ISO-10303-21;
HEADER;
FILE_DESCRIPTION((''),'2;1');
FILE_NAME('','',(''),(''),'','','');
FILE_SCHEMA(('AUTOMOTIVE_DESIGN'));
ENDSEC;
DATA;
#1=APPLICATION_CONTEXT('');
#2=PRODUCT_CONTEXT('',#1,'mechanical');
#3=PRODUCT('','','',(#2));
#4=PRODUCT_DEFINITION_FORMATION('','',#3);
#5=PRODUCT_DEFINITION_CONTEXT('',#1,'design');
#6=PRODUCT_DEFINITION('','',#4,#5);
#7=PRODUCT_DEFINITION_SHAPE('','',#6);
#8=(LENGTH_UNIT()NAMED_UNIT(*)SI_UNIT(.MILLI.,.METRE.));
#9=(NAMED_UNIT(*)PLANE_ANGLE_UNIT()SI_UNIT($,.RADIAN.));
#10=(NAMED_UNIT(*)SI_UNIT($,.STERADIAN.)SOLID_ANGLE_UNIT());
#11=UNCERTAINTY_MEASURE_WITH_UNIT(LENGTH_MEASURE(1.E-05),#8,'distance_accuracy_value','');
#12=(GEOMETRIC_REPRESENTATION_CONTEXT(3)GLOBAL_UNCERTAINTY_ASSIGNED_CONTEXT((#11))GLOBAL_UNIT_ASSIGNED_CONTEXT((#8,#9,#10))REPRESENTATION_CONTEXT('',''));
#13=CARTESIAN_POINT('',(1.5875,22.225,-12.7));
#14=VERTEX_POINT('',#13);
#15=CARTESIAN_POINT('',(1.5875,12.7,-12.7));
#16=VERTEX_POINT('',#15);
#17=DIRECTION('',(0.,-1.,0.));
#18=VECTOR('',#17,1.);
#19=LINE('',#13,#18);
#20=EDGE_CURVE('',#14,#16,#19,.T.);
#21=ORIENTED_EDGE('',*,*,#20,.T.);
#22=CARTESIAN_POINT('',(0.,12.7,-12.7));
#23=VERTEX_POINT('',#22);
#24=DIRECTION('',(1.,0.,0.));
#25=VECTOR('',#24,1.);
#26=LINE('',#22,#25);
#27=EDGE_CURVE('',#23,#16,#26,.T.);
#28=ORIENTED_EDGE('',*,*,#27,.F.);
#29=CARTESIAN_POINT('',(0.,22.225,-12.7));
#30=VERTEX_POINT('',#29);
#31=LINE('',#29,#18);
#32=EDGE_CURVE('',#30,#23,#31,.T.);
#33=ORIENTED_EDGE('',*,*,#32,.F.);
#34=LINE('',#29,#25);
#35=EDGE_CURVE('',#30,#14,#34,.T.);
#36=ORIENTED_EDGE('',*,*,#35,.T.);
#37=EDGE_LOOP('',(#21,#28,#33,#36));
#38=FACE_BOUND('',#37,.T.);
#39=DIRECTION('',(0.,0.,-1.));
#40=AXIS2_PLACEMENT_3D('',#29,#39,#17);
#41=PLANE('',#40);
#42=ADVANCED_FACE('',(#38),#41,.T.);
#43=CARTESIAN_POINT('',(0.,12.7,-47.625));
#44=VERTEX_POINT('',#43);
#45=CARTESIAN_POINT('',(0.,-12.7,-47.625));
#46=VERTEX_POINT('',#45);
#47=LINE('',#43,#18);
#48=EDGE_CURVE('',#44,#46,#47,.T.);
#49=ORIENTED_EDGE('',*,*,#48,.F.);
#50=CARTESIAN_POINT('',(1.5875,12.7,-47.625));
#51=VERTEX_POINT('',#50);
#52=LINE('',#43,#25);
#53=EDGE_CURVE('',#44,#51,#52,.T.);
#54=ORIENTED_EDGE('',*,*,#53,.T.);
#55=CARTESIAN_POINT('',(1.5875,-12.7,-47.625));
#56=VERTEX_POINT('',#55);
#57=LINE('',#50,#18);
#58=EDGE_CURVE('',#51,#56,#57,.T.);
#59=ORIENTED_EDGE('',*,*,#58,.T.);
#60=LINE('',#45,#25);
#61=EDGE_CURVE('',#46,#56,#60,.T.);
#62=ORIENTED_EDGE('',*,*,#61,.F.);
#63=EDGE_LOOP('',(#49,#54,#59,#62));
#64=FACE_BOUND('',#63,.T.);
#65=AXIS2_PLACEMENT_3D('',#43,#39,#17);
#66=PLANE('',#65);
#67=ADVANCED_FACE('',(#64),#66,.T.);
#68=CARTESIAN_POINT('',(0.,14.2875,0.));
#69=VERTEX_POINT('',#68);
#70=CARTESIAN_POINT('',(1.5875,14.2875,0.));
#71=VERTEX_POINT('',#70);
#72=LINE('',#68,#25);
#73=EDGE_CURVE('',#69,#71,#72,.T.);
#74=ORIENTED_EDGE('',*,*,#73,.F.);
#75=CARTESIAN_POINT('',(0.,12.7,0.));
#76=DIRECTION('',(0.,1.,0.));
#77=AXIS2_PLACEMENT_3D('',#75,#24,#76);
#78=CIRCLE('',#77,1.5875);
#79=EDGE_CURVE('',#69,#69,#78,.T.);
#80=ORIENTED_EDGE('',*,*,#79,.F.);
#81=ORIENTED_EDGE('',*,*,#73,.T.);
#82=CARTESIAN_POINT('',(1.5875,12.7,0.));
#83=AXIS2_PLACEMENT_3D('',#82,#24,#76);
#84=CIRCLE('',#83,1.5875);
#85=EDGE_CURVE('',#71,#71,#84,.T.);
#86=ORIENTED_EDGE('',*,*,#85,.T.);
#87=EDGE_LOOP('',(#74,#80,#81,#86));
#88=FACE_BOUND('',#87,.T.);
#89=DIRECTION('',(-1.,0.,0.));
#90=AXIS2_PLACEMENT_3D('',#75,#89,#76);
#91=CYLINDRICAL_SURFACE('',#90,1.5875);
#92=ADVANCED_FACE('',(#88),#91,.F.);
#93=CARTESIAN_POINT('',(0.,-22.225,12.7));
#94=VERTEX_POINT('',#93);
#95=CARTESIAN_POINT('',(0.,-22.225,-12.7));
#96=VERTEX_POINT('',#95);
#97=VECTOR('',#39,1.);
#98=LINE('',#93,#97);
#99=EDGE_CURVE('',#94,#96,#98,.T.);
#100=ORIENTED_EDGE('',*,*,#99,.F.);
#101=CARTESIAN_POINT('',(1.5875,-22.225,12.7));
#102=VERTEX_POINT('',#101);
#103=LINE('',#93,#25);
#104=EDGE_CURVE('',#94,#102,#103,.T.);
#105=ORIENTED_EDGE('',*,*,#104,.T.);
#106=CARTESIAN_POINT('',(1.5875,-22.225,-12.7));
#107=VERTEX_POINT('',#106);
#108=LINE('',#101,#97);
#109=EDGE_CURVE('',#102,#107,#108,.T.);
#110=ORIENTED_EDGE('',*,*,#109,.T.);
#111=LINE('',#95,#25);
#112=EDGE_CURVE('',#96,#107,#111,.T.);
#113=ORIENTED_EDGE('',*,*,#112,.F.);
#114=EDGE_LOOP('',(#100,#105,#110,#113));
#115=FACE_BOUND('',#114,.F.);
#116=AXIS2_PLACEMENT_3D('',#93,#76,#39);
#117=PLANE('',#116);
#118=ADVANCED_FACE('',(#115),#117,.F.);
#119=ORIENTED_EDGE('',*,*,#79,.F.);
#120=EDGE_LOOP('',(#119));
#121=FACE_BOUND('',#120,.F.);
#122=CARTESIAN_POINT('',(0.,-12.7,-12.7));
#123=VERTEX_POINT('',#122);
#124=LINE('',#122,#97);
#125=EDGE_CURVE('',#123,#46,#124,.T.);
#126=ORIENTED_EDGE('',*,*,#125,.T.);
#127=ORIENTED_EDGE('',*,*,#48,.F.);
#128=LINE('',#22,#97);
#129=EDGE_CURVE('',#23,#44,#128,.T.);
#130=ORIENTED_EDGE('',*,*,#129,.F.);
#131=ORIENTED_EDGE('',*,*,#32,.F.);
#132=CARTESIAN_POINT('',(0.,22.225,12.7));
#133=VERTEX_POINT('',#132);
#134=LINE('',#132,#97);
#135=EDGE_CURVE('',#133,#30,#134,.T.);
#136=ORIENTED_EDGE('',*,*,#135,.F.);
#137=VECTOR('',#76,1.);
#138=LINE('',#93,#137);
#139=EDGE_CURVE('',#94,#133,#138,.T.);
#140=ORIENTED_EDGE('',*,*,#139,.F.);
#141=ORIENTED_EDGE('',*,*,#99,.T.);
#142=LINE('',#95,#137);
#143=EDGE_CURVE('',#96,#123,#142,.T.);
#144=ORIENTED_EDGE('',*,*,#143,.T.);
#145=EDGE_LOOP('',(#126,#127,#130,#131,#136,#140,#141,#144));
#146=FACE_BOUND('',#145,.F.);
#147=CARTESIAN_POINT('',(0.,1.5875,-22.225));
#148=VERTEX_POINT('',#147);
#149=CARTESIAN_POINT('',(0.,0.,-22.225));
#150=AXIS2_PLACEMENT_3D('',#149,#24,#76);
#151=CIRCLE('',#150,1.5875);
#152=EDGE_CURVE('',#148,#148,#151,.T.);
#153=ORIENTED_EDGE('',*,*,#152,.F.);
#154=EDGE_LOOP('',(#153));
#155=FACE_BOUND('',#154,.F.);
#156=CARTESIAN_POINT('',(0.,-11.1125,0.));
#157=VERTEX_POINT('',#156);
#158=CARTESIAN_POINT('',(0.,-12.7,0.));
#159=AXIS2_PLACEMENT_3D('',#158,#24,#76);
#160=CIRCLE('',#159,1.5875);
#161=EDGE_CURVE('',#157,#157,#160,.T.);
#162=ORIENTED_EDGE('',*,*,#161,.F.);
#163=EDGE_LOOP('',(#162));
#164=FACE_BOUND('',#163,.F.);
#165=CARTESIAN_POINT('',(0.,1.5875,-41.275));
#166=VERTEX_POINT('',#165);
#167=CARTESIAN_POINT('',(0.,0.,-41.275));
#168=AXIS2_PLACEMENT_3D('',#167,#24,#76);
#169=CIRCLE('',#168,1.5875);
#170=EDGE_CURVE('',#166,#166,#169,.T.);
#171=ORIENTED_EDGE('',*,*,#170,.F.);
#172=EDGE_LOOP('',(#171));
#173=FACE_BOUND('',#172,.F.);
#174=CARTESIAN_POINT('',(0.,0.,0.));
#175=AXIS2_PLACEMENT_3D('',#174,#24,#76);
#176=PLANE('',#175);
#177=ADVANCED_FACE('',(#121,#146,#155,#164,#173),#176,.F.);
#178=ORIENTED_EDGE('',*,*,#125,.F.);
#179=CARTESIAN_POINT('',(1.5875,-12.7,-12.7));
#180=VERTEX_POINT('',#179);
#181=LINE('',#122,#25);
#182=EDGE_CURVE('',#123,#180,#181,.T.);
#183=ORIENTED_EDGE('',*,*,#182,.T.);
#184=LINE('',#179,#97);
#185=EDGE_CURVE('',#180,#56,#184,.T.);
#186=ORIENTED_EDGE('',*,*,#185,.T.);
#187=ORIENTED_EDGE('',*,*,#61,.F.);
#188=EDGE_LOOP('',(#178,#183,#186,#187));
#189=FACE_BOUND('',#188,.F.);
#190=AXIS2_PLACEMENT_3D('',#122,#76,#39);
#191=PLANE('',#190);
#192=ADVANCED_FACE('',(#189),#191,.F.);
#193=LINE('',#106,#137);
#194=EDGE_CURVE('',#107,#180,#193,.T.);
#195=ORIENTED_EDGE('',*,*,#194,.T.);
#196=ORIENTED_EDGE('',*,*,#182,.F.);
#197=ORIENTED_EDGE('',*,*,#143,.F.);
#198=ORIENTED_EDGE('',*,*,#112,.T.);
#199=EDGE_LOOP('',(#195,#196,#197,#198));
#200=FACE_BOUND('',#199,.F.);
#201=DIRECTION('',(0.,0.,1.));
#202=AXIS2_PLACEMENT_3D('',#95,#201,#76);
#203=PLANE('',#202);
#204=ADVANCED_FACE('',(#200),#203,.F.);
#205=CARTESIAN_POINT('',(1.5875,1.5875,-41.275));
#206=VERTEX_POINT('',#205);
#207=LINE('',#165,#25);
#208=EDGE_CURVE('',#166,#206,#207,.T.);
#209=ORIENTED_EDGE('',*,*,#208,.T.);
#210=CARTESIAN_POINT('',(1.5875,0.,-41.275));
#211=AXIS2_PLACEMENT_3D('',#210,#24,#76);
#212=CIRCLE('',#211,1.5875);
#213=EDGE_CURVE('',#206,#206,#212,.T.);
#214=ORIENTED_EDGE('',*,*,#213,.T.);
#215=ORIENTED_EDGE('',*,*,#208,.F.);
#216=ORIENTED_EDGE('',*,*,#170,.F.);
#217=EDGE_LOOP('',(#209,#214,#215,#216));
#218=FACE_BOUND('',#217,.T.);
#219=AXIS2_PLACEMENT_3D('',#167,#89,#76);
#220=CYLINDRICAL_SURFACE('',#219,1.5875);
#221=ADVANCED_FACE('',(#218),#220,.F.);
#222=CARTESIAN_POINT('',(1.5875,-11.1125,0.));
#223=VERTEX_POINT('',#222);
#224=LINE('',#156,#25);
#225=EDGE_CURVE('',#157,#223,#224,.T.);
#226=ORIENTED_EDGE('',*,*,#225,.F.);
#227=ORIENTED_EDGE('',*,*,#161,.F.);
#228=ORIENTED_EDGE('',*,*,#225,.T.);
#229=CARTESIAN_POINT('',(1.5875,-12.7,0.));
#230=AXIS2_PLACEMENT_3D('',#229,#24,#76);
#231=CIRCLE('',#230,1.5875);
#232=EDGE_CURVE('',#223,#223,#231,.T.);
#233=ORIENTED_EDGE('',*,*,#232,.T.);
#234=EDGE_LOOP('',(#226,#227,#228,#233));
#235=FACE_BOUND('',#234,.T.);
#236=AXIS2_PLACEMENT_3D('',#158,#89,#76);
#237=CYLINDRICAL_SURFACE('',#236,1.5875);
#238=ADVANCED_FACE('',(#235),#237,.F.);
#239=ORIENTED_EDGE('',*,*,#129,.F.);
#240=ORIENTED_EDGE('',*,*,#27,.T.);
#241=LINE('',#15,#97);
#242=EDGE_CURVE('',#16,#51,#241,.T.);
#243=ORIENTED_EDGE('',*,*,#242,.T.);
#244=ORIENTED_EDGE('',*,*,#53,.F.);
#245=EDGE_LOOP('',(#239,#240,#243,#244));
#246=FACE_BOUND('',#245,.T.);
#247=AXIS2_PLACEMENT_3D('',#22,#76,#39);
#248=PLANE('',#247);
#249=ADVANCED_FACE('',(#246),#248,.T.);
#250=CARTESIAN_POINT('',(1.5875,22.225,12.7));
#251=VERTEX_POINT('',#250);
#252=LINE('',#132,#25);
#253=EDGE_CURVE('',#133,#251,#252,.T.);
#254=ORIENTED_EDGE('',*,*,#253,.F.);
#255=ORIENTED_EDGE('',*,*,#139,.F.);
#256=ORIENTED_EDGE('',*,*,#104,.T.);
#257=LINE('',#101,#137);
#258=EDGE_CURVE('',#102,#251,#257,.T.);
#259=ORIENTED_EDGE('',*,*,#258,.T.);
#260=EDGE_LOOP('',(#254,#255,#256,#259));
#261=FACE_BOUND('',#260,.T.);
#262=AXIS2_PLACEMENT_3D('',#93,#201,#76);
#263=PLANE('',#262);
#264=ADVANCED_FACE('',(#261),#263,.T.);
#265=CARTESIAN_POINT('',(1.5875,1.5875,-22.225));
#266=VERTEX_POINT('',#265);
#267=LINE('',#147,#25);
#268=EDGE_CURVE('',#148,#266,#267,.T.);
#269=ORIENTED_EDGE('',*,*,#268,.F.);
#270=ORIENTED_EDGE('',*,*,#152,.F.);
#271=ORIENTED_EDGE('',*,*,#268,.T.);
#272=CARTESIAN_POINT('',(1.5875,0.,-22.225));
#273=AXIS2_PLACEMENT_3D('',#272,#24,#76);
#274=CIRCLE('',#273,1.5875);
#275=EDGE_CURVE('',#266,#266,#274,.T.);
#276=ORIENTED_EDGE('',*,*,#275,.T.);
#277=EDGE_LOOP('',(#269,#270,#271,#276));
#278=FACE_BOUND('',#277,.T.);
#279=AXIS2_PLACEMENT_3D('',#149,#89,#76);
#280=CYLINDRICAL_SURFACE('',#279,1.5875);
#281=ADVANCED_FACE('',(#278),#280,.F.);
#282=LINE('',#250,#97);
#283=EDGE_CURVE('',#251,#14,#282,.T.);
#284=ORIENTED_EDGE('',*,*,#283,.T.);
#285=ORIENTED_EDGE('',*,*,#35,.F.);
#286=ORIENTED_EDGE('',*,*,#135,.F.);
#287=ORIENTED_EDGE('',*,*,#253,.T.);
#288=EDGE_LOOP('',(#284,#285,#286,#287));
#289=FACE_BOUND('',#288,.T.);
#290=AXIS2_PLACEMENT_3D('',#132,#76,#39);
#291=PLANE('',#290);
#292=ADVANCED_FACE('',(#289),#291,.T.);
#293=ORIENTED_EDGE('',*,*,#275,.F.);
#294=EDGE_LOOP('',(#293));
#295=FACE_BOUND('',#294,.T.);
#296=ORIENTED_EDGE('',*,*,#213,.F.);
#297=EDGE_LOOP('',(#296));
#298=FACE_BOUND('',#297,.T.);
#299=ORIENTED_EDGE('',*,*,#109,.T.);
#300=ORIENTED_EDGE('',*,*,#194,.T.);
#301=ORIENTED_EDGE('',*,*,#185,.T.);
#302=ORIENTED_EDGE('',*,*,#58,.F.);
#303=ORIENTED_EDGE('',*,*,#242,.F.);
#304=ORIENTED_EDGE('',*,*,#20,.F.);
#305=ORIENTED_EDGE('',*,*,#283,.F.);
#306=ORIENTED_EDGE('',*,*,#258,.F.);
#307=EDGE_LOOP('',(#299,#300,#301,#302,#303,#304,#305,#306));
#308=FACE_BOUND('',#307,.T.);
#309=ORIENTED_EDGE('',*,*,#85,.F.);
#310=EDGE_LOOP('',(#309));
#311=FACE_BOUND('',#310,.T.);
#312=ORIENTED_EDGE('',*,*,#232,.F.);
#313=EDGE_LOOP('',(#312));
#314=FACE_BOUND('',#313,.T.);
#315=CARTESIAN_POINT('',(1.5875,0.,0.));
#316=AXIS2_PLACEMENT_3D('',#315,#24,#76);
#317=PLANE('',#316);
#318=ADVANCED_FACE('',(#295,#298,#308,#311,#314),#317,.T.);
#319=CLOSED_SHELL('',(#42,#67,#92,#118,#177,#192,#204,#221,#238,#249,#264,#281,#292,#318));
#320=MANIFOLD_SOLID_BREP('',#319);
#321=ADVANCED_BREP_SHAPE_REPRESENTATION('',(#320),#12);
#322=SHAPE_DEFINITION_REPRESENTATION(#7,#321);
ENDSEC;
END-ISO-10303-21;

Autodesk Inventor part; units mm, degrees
ref_plane "YZ Plane" through (0, 0, 0) normal (1, 0, 0) x (0, 1, 0)
ref_plane "XZ Plane" through (0, 0, 0) normal (0, 1, 0) x (-1, 0, 0)
ref_plane "XY Plane" through (0, 0, 0) normal (0, 0, 1) x (1, 0, 0)
sketch "Sketch1" plane through (0, 0, 0) normal (1, 0, 0) x (0, 1, 0)
  line L0 (0, 0) -> (0, -41.275) construction
  circle A0 centre (0, -22.225) radius 1.5875
  circle A1 centre (0, -41.275) radius 1.5875
  line L1 (22.225, 12.7) -> (22.225, -12.7)
  line L2 (22.225, -12.7) -> (12.7, -12.7)
  line L3 (12.7, -12.7) -> (12.7, -47.625)
  line L4 (12.7, -47.625) -> (-12.7, -47.625)
  line L5 (-22.225, 12.7) -> (22.225, 12.7)
  line L6 (0, -41.275) -> (0, -47.625) construction
  line L7 (12.7, 0) -> (-12.7, 0) construction
  circle A2 centre (12.7, 0) radius 1.5875
  circle A3 centre (-12.7, 0) radius 1.5875
  line L8 (-22.225, 12.7) -> (-22.225, -12.7)
  line L9 (-22.225, -12.7) -> (-12.7, -12.7)
  line L10 (-12.7, -12.7) -> (-12.7, -47.625)
  dimension "d2" = 22.225
  dimension "d3" = 19.05
  dimension "d4" = 25.4
  dimension "d5" = 6.35
  dimension "d9" = 3.175
  dimension "d10" = 25.4
  dimension "d11" = 9.525
  dimension "d12" = 12.7
extrude "Extrusion1" add sketch "Sketch1" along normal blind 1.5875
properties part number "L Plate" material "Aluminum 6061"
